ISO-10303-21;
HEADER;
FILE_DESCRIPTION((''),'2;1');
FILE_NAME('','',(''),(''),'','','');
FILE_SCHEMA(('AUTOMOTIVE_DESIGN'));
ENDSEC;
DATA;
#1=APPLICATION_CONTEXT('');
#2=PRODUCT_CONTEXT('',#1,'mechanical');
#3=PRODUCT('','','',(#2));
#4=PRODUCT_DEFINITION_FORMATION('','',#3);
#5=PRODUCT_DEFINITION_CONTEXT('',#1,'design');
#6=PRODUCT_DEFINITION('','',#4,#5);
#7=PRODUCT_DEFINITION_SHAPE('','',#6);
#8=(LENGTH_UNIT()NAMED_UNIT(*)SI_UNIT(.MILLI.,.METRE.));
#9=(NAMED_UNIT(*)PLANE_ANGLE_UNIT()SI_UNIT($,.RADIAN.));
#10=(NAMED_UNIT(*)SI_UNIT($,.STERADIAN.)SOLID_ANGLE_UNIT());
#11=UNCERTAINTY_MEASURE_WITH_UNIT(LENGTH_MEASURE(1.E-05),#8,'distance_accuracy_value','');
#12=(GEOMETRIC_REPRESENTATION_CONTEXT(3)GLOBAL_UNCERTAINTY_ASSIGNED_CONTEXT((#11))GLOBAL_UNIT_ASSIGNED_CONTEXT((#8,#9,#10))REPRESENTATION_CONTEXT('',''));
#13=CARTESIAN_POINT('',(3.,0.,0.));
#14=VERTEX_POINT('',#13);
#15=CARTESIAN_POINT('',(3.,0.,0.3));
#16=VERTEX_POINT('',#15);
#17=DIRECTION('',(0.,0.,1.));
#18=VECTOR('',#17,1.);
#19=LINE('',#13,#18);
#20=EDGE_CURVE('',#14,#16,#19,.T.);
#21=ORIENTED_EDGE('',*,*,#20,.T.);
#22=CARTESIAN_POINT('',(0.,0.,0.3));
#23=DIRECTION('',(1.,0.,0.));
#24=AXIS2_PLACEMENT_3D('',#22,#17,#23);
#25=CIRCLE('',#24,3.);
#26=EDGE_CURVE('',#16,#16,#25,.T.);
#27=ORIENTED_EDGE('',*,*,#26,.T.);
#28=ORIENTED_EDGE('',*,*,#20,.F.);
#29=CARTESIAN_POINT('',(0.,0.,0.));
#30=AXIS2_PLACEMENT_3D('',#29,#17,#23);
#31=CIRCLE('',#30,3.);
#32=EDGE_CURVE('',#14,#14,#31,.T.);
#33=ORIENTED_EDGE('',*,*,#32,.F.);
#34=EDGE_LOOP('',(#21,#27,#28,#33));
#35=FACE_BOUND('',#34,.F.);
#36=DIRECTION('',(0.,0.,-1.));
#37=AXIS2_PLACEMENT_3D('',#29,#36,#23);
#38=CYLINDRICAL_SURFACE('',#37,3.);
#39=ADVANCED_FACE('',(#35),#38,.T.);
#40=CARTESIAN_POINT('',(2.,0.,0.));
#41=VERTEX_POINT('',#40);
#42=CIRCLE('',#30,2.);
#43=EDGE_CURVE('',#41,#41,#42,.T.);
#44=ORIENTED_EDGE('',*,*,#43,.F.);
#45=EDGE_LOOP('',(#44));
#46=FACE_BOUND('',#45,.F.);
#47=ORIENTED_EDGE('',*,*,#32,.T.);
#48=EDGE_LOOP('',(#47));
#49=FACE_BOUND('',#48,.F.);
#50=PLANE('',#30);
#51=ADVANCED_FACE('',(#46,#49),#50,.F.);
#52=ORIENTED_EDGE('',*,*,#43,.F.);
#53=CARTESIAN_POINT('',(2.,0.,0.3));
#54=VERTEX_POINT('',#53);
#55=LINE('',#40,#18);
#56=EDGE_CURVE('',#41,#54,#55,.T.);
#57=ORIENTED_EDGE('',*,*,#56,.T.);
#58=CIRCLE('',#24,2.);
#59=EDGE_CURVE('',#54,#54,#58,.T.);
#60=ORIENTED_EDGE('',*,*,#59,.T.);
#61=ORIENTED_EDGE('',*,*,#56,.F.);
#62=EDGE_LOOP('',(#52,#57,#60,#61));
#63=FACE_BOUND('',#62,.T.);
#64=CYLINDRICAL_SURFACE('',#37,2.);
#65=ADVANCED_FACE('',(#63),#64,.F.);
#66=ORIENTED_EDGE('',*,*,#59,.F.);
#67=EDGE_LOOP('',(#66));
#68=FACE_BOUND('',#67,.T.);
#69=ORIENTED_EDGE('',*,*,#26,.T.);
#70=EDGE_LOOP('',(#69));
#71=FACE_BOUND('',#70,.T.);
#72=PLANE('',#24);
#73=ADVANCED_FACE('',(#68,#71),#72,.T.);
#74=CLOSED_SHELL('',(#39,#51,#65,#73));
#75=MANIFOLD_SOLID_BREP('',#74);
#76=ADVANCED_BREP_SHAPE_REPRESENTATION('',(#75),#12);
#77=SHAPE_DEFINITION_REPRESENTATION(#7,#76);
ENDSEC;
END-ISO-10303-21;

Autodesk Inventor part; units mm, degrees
ref_plane "YZ Plane" through (0, 0, 0) normal (1, 0, 0) x (0, 1, 0)
ref_plane "XZ Plane" through (0, 0, 0) normal (0, 1, 0) x (-1, 0, 0)
ref_plane "XY Plane" through (0, 0, 0) normal (0, 0, 1) x (1, 0, 0)
sketch "スケッチ1" plane through (0, 0, 0) normal (0, 0, 1) x (1, 0, 0)
  circle A0 centre (0, 0) radius 2
  circle A1 centre (0, 0) radius 3
  dimension "d0" = 4
  dimension "d1" = 6
extrude "押し出し1" add sketch "スケッチ1" along normal blind 0.3
properties part number "シムリング　4-6　t0.3" material "ステンレス鋼 AISI 304"
